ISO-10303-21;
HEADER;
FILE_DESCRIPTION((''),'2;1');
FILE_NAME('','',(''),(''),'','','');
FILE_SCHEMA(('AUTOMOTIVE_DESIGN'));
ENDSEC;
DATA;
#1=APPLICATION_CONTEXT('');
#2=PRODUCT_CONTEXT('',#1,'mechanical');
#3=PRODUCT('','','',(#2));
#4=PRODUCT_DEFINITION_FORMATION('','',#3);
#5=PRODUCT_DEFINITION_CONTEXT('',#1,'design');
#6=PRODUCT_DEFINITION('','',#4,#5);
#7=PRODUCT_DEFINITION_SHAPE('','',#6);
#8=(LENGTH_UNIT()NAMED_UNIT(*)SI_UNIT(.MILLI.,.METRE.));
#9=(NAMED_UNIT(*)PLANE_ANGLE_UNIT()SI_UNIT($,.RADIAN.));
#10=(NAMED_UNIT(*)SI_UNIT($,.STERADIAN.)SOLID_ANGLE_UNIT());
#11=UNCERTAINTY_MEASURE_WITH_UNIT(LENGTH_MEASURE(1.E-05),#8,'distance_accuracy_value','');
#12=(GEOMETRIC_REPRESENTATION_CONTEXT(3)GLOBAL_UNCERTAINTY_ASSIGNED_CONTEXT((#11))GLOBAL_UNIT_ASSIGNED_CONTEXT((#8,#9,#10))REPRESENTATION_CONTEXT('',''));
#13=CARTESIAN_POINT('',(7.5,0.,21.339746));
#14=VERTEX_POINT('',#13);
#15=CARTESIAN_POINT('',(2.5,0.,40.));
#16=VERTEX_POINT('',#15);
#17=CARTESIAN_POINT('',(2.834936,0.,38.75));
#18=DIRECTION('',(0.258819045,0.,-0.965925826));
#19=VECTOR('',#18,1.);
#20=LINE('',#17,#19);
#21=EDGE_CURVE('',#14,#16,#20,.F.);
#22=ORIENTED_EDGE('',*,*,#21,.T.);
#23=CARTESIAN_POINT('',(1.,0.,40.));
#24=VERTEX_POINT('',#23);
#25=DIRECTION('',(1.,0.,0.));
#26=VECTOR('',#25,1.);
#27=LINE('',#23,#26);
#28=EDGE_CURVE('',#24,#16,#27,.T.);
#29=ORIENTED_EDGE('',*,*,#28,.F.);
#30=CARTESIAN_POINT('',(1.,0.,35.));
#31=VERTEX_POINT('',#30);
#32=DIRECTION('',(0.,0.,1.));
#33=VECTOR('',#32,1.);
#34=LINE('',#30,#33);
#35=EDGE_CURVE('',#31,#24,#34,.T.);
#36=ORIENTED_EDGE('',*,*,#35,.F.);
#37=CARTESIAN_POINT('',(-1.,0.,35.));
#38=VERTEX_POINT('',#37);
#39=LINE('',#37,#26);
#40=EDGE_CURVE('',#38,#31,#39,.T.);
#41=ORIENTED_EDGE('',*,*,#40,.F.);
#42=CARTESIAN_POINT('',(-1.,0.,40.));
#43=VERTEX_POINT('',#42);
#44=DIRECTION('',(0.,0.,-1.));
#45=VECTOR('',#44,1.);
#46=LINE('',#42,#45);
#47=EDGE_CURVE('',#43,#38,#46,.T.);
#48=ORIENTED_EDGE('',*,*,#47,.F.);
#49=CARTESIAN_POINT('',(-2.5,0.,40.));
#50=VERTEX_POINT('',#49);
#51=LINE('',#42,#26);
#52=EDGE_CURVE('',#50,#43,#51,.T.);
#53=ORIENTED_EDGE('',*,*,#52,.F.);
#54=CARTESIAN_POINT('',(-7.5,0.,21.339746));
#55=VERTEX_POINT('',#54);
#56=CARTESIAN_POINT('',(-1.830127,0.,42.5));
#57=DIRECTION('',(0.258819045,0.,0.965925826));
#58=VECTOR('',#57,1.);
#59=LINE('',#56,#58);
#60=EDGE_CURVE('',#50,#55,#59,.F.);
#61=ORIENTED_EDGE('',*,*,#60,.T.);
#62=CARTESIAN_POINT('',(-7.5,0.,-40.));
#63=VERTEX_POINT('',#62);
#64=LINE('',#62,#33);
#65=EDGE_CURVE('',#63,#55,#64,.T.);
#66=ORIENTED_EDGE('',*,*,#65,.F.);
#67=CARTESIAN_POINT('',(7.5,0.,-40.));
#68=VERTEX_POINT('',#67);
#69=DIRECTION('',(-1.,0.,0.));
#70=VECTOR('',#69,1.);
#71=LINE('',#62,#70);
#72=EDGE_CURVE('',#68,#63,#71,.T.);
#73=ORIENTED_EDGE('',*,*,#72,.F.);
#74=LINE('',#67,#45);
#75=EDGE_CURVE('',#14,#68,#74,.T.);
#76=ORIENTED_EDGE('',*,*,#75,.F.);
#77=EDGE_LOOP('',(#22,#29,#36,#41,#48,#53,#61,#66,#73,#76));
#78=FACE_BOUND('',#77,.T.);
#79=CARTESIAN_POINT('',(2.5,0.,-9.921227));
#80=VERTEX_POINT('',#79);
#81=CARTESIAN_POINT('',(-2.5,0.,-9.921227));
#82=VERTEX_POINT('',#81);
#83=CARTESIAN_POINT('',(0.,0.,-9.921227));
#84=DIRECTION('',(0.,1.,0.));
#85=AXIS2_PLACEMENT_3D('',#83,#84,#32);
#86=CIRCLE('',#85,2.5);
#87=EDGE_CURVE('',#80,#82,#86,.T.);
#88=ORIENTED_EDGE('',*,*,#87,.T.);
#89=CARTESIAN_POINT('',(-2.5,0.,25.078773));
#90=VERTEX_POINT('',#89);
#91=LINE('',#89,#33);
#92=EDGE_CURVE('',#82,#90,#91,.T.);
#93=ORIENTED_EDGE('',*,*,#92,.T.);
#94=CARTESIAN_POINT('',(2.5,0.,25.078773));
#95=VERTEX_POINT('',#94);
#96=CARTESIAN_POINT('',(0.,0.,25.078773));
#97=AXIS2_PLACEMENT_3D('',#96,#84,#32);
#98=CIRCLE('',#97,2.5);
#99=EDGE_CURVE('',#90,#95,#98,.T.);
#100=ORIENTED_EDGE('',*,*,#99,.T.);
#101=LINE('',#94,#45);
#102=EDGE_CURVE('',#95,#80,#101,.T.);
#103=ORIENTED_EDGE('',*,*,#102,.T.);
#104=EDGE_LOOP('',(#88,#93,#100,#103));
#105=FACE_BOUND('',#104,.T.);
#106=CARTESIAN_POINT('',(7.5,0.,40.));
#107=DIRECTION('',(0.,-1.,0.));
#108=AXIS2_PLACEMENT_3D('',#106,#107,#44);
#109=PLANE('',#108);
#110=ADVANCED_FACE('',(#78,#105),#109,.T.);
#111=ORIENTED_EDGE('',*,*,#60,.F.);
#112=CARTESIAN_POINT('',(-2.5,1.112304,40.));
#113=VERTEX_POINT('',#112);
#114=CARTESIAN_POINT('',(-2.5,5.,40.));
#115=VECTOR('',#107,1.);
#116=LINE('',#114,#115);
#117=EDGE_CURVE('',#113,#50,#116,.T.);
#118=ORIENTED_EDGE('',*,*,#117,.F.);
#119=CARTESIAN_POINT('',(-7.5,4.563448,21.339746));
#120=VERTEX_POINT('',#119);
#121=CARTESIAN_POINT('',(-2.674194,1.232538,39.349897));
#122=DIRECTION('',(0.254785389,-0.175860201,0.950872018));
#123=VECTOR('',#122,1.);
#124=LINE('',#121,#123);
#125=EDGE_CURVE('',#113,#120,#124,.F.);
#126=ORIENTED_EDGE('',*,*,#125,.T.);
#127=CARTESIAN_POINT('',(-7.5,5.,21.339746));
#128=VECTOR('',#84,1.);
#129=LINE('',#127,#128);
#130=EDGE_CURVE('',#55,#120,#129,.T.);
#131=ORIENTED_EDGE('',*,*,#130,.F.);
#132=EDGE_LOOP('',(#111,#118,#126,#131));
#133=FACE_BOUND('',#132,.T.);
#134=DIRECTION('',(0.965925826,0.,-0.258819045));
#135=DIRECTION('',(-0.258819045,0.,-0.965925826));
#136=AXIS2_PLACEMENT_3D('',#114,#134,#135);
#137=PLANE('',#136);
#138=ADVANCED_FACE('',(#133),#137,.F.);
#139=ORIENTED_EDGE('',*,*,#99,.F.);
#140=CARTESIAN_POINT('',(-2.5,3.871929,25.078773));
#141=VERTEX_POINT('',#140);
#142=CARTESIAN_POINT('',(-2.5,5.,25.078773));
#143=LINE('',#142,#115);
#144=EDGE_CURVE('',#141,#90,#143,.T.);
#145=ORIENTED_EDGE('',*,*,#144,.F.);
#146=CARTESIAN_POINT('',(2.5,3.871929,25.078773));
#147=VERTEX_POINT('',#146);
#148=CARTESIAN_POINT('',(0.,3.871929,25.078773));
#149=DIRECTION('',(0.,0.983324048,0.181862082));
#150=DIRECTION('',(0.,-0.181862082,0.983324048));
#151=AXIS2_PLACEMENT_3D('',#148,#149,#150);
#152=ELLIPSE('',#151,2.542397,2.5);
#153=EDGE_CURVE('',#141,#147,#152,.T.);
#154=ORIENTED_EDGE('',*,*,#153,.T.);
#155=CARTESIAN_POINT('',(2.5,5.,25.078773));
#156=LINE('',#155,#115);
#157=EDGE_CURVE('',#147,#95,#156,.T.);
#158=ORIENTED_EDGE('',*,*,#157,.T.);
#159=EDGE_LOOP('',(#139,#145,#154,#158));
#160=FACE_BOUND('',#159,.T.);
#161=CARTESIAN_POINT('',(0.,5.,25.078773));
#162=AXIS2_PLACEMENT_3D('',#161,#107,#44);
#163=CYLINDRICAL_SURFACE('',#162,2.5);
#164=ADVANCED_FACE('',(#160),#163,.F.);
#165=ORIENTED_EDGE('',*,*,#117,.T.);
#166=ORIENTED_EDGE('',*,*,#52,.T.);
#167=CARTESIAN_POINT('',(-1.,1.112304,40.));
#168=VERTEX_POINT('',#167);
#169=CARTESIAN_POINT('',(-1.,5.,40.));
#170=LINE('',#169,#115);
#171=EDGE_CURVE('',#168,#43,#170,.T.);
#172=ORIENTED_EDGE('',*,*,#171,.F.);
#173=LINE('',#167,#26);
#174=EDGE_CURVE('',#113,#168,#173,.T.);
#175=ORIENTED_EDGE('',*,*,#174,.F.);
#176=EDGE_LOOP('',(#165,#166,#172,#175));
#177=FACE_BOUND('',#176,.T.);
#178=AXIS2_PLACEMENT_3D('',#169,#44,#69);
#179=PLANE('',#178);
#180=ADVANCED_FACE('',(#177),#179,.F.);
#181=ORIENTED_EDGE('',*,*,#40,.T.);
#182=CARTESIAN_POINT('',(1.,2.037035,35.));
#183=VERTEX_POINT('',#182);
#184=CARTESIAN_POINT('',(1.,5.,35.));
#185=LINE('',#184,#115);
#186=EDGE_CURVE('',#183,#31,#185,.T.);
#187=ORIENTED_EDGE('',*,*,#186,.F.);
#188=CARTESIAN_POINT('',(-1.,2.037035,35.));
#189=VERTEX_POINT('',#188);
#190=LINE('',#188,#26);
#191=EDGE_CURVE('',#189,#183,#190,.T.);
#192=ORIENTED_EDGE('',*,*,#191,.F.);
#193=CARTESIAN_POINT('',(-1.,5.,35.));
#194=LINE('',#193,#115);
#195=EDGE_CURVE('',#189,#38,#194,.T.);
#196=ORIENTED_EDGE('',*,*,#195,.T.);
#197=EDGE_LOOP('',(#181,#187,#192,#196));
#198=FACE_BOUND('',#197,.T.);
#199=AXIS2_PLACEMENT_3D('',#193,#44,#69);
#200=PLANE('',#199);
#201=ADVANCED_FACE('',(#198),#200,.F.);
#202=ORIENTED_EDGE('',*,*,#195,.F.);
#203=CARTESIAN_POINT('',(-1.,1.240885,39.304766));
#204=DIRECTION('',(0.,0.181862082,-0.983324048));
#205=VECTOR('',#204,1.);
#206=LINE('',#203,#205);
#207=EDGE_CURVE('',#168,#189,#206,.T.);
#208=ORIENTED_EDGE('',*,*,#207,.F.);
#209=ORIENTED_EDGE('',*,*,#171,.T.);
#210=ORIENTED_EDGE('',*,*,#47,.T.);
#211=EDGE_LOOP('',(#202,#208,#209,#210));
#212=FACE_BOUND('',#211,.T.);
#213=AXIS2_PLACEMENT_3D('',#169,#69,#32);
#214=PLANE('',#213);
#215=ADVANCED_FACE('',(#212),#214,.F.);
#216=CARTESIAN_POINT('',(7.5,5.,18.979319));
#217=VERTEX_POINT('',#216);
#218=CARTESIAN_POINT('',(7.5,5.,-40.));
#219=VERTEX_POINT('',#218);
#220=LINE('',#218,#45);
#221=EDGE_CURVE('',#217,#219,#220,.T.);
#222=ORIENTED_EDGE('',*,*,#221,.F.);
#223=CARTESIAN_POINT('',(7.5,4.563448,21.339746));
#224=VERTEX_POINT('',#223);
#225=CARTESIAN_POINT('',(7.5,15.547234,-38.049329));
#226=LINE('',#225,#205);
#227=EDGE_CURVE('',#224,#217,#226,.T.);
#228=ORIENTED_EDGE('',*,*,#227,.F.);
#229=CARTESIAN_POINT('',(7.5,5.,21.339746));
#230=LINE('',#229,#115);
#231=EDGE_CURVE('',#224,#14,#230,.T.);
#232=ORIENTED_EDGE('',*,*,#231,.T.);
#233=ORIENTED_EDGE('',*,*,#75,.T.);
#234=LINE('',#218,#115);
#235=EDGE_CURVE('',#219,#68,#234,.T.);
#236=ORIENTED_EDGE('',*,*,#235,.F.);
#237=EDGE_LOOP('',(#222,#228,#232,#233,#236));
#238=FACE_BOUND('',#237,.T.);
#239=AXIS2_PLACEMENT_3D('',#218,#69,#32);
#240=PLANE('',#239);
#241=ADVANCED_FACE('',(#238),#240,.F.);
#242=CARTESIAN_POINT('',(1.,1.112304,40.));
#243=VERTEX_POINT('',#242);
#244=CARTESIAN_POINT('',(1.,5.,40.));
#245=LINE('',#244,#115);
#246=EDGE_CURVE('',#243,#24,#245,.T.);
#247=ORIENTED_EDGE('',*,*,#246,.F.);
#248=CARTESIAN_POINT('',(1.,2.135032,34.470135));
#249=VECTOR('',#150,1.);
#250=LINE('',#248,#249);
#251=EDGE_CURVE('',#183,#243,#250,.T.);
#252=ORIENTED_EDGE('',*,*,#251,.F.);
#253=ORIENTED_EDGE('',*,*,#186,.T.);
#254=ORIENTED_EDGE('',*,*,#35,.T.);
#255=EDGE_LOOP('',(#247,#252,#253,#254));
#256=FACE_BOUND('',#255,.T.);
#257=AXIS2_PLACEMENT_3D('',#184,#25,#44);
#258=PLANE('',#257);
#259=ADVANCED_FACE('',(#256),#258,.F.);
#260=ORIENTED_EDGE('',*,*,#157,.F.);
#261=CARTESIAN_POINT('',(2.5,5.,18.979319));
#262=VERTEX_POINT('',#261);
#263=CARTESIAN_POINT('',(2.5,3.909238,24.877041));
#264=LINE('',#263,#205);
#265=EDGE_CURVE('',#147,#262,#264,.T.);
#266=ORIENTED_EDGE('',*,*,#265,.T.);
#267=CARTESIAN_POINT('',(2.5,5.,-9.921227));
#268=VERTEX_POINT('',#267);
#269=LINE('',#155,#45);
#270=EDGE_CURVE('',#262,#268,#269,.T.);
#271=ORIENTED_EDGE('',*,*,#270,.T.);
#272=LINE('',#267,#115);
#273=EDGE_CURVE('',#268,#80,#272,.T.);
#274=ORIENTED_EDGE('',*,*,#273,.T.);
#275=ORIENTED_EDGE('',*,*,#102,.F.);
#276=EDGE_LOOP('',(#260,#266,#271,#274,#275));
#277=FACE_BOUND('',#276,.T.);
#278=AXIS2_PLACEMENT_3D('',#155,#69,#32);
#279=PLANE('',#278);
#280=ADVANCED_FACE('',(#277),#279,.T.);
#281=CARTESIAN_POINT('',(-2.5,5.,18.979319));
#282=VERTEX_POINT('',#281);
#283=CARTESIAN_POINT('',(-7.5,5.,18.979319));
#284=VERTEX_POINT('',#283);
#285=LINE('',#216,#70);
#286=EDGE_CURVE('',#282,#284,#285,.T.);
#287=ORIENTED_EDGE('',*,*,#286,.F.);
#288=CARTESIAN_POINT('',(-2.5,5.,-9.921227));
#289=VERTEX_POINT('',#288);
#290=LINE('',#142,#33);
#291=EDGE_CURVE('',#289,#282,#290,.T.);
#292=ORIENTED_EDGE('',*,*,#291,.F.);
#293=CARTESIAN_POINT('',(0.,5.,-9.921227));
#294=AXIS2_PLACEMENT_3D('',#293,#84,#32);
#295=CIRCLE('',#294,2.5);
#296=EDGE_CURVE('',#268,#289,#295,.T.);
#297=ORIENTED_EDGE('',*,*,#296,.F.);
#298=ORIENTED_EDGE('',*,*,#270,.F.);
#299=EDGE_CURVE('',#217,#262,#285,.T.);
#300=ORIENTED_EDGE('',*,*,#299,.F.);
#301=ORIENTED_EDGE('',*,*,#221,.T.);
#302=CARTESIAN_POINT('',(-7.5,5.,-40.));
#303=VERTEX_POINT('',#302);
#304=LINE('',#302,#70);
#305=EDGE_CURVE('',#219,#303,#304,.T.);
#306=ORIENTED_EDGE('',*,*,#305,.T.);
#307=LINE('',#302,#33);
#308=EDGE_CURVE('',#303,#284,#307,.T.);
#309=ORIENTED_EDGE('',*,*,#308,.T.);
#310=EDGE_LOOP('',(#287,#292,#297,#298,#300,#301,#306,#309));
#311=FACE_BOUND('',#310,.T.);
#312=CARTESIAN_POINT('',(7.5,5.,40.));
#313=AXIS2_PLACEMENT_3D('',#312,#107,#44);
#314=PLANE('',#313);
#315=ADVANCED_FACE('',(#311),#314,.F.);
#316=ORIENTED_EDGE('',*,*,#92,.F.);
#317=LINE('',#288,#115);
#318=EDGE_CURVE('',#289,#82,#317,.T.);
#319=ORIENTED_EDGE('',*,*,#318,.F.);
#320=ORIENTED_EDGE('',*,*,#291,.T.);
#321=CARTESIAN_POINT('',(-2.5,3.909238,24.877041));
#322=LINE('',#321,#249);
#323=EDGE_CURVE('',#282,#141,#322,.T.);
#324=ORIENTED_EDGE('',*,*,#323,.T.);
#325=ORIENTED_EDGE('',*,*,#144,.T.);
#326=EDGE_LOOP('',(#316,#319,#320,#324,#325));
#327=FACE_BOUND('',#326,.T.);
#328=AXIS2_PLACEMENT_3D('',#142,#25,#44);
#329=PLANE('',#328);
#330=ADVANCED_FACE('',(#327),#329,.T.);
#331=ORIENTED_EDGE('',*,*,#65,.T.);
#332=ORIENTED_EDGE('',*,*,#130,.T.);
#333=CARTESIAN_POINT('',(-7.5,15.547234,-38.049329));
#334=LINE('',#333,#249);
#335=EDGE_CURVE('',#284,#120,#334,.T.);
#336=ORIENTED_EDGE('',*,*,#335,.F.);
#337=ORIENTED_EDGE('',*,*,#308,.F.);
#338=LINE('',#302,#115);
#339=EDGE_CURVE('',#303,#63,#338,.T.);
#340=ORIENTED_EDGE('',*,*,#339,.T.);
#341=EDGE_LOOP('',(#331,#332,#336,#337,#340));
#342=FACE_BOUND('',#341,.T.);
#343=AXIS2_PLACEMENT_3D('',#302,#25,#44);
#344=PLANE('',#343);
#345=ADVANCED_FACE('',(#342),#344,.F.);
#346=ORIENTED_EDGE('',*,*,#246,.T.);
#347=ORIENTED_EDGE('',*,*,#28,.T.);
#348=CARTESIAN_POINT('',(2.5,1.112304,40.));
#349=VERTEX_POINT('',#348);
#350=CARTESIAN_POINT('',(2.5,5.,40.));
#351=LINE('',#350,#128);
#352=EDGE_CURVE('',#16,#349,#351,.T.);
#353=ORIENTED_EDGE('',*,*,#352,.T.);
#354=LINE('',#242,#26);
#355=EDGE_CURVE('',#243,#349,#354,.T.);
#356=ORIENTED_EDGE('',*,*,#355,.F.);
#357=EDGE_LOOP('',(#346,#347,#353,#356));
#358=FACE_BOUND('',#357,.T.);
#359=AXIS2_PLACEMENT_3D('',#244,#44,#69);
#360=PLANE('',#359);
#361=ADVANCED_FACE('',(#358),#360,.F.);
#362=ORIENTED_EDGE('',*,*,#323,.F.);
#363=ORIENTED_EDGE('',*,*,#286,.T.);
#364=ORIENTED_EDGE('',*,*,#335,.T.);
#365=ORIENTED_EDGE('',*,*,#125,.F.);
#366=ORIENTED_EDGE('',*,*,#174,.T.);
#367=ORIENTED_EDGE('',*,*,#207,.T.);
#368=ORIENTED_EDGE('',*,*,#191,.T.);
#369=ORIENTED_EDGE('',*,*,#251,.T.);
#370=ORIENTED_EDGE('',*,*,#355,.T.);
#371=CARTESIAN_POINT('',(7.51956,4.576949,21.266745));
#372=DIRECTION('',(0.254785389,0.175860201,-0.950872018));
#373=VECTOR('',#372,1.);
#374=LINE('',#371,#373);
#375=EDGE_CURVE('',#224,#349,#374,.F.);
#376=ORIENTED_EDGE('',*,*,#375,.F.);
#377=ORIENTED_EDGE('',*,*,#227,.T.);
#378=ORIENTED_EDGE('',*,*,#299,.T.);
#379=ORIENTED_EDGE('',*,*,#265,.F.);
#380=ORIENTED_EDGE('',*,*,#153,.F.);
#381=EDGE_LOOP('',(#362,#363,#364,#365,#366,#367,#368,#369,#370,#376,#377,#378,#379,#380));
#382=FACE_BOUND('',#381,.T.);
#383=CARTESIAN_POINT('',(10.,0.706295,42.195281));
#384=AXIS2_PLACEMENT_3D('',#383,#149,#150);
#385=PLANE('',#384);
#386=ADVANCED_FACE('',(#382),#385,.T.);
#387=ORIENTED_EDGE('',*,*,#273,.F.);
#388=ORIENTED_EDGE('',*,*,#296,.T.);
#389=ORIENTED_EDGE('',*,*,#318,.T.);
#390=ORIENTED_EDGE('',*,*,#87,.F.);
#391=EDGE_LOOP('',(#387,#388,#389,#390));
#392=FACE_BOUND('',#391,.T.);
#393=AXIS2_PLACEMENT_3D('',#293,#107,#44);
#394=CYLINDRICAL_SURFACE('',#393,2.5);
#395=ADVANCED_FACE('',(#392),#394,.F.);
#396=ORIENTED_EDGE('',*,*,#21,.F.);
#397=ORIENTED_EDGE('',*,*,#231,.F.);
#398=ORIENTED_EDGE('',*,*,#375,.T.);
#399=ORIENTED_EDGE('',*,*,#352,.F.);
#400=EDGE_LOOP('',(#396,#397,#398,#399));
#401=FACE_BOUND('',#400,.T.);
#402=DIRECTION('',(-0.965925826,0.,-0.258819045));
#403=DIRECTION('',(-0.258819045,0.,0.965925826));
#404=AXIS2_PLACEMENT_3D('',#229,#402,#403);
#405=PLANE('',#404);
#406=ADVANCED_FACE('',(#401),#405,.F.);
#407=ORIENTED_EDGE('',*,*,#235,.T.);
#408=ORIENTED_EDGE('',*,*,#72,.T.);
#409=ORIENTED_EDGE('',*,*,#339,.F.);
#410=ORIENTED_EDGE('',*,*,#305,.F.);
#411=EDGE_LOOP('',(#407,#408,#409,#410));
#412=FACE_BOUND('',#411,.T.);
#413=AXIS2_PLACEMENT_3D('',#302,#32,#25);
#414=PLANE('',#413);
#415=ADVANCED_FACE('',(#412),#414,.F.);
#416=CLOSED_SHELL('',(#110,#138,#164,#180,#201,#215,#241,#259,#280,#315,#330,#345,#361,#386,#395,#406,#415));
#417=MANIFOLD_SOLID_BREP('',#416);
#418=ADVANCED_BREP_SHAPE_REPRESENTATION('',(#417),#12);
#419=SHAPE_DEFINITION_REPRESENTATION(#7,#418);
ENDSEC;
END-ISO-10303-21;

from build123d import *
from OCP.BRepFilletAPI import BRepFilletAPI_MakeChamfer

# Parameters (mm, degrees)
BOSS_EXTRUDE1_DEPTH     = 5
CHAMFER1_SIZE           = 5
CHAMFER1_SIZE2          = 18.660254038
CUT_EXTRUDE1_DEPTH      = 10
CUT_EXTRUDE1_DEPTH_BACK = 10


with BuildPart() as part:
    # Sketch1 → Boss-Extrude1 (new body)
    with BuildSketch(Plane(origin=(0, 0, 0), x_dir=(1, 0, 0), z_dir=(0, 1, 0))):
        Polygon((-7.5, 40), (7.5, 40), (7.5, -40), (1, -40), (1, -35), (-1, -35), (-1, -40), (-7.5, -40), align=None)
        with BuildLine():
            Line((-2.5, -25.078773429), (-2.5, 9.921226571))
            ThreePointArc((-2.5, 9.921226571), (0, 12.421226571), (2.5, 9.921226571))
            Line((2.5, 9.921226571), (2.5, -25.078773429))
            ThreePointArc((2.5, -25.078773429), (0, -27.578773429), (-2.5, -25.078773429))
        make_face(mode=Mode.SUBTRACT)
    extrude(amount=BOSS_EXTRUDE1_DEPTH)

    # Chamfer1: one chamfer whose edges measure the first distance from different faces: ONE call of the kernel's chamfer builder (chamfer() names one face for all edges)
    chamfer1_edges_1 = [part.edges().sort_by_distance(p)[0] for p in [
        (-7.5, 2.5, 40),
    ]]
    chamfer1_side_1 = [part.faces().sort_by_distance(p)[0] for p in [
        (-4.25, 2.5, 40),
    ]]
    chamfer1_edges_2 = [part.edges().sort_by_distance(p)[0] for p in [
        (7.5, 2.5, 40),
    ]]
    chamfer1_side_2 = [part.faces().sort_by_distance(p)[0] for p in [
        (4.25, 2.5, 40),
    ]]
    chamfer1 = BRepFilletAPI_MakeChamfer(part.part.solid().wrapped)
    for e in chamfer1_edges_1:
        chamfer1.Add(CHAMFER1_SIZE, CHAMFER1_SIZE2, e.wrapped, chamfer1_side_1[0].wrapped)  # the first distance lies on this face
    for e in chamfer1_edges_2:
        chamfer1.Add(CHAMFER1_SIZE, CHAMFER1_SIZE2, e.wrapped, chamfer1_side_2[0].wrapped)  # the first distance lies on this face
    add(Compound.cast(chamfer1.Shape()), mode=Mode.REPLACE)

    # Sketch2 → Cut-Extrude1 (cut, two sides: drawn at the far end of the back side and taken through both)
    with BuildSketch(Plane(origin=(0, 0, 0), x_dir=(0, 0, -1), z_dir=(1, 0, 0)).offset(-CUT_EXTRUDE1_DEPTH_BACK)):
        Polygon((-42.19528089, 0.706295209), (-15.143740131, 5.709375865), (-42.19528089, 5.709375865), align=None)
    extrude(amount=CUT_EXTRUDE1_DEPTH + CUT_EXTRUDE1_DEPTH_BACK, mode=Mode.SUBTRACT)


solid = part.part
